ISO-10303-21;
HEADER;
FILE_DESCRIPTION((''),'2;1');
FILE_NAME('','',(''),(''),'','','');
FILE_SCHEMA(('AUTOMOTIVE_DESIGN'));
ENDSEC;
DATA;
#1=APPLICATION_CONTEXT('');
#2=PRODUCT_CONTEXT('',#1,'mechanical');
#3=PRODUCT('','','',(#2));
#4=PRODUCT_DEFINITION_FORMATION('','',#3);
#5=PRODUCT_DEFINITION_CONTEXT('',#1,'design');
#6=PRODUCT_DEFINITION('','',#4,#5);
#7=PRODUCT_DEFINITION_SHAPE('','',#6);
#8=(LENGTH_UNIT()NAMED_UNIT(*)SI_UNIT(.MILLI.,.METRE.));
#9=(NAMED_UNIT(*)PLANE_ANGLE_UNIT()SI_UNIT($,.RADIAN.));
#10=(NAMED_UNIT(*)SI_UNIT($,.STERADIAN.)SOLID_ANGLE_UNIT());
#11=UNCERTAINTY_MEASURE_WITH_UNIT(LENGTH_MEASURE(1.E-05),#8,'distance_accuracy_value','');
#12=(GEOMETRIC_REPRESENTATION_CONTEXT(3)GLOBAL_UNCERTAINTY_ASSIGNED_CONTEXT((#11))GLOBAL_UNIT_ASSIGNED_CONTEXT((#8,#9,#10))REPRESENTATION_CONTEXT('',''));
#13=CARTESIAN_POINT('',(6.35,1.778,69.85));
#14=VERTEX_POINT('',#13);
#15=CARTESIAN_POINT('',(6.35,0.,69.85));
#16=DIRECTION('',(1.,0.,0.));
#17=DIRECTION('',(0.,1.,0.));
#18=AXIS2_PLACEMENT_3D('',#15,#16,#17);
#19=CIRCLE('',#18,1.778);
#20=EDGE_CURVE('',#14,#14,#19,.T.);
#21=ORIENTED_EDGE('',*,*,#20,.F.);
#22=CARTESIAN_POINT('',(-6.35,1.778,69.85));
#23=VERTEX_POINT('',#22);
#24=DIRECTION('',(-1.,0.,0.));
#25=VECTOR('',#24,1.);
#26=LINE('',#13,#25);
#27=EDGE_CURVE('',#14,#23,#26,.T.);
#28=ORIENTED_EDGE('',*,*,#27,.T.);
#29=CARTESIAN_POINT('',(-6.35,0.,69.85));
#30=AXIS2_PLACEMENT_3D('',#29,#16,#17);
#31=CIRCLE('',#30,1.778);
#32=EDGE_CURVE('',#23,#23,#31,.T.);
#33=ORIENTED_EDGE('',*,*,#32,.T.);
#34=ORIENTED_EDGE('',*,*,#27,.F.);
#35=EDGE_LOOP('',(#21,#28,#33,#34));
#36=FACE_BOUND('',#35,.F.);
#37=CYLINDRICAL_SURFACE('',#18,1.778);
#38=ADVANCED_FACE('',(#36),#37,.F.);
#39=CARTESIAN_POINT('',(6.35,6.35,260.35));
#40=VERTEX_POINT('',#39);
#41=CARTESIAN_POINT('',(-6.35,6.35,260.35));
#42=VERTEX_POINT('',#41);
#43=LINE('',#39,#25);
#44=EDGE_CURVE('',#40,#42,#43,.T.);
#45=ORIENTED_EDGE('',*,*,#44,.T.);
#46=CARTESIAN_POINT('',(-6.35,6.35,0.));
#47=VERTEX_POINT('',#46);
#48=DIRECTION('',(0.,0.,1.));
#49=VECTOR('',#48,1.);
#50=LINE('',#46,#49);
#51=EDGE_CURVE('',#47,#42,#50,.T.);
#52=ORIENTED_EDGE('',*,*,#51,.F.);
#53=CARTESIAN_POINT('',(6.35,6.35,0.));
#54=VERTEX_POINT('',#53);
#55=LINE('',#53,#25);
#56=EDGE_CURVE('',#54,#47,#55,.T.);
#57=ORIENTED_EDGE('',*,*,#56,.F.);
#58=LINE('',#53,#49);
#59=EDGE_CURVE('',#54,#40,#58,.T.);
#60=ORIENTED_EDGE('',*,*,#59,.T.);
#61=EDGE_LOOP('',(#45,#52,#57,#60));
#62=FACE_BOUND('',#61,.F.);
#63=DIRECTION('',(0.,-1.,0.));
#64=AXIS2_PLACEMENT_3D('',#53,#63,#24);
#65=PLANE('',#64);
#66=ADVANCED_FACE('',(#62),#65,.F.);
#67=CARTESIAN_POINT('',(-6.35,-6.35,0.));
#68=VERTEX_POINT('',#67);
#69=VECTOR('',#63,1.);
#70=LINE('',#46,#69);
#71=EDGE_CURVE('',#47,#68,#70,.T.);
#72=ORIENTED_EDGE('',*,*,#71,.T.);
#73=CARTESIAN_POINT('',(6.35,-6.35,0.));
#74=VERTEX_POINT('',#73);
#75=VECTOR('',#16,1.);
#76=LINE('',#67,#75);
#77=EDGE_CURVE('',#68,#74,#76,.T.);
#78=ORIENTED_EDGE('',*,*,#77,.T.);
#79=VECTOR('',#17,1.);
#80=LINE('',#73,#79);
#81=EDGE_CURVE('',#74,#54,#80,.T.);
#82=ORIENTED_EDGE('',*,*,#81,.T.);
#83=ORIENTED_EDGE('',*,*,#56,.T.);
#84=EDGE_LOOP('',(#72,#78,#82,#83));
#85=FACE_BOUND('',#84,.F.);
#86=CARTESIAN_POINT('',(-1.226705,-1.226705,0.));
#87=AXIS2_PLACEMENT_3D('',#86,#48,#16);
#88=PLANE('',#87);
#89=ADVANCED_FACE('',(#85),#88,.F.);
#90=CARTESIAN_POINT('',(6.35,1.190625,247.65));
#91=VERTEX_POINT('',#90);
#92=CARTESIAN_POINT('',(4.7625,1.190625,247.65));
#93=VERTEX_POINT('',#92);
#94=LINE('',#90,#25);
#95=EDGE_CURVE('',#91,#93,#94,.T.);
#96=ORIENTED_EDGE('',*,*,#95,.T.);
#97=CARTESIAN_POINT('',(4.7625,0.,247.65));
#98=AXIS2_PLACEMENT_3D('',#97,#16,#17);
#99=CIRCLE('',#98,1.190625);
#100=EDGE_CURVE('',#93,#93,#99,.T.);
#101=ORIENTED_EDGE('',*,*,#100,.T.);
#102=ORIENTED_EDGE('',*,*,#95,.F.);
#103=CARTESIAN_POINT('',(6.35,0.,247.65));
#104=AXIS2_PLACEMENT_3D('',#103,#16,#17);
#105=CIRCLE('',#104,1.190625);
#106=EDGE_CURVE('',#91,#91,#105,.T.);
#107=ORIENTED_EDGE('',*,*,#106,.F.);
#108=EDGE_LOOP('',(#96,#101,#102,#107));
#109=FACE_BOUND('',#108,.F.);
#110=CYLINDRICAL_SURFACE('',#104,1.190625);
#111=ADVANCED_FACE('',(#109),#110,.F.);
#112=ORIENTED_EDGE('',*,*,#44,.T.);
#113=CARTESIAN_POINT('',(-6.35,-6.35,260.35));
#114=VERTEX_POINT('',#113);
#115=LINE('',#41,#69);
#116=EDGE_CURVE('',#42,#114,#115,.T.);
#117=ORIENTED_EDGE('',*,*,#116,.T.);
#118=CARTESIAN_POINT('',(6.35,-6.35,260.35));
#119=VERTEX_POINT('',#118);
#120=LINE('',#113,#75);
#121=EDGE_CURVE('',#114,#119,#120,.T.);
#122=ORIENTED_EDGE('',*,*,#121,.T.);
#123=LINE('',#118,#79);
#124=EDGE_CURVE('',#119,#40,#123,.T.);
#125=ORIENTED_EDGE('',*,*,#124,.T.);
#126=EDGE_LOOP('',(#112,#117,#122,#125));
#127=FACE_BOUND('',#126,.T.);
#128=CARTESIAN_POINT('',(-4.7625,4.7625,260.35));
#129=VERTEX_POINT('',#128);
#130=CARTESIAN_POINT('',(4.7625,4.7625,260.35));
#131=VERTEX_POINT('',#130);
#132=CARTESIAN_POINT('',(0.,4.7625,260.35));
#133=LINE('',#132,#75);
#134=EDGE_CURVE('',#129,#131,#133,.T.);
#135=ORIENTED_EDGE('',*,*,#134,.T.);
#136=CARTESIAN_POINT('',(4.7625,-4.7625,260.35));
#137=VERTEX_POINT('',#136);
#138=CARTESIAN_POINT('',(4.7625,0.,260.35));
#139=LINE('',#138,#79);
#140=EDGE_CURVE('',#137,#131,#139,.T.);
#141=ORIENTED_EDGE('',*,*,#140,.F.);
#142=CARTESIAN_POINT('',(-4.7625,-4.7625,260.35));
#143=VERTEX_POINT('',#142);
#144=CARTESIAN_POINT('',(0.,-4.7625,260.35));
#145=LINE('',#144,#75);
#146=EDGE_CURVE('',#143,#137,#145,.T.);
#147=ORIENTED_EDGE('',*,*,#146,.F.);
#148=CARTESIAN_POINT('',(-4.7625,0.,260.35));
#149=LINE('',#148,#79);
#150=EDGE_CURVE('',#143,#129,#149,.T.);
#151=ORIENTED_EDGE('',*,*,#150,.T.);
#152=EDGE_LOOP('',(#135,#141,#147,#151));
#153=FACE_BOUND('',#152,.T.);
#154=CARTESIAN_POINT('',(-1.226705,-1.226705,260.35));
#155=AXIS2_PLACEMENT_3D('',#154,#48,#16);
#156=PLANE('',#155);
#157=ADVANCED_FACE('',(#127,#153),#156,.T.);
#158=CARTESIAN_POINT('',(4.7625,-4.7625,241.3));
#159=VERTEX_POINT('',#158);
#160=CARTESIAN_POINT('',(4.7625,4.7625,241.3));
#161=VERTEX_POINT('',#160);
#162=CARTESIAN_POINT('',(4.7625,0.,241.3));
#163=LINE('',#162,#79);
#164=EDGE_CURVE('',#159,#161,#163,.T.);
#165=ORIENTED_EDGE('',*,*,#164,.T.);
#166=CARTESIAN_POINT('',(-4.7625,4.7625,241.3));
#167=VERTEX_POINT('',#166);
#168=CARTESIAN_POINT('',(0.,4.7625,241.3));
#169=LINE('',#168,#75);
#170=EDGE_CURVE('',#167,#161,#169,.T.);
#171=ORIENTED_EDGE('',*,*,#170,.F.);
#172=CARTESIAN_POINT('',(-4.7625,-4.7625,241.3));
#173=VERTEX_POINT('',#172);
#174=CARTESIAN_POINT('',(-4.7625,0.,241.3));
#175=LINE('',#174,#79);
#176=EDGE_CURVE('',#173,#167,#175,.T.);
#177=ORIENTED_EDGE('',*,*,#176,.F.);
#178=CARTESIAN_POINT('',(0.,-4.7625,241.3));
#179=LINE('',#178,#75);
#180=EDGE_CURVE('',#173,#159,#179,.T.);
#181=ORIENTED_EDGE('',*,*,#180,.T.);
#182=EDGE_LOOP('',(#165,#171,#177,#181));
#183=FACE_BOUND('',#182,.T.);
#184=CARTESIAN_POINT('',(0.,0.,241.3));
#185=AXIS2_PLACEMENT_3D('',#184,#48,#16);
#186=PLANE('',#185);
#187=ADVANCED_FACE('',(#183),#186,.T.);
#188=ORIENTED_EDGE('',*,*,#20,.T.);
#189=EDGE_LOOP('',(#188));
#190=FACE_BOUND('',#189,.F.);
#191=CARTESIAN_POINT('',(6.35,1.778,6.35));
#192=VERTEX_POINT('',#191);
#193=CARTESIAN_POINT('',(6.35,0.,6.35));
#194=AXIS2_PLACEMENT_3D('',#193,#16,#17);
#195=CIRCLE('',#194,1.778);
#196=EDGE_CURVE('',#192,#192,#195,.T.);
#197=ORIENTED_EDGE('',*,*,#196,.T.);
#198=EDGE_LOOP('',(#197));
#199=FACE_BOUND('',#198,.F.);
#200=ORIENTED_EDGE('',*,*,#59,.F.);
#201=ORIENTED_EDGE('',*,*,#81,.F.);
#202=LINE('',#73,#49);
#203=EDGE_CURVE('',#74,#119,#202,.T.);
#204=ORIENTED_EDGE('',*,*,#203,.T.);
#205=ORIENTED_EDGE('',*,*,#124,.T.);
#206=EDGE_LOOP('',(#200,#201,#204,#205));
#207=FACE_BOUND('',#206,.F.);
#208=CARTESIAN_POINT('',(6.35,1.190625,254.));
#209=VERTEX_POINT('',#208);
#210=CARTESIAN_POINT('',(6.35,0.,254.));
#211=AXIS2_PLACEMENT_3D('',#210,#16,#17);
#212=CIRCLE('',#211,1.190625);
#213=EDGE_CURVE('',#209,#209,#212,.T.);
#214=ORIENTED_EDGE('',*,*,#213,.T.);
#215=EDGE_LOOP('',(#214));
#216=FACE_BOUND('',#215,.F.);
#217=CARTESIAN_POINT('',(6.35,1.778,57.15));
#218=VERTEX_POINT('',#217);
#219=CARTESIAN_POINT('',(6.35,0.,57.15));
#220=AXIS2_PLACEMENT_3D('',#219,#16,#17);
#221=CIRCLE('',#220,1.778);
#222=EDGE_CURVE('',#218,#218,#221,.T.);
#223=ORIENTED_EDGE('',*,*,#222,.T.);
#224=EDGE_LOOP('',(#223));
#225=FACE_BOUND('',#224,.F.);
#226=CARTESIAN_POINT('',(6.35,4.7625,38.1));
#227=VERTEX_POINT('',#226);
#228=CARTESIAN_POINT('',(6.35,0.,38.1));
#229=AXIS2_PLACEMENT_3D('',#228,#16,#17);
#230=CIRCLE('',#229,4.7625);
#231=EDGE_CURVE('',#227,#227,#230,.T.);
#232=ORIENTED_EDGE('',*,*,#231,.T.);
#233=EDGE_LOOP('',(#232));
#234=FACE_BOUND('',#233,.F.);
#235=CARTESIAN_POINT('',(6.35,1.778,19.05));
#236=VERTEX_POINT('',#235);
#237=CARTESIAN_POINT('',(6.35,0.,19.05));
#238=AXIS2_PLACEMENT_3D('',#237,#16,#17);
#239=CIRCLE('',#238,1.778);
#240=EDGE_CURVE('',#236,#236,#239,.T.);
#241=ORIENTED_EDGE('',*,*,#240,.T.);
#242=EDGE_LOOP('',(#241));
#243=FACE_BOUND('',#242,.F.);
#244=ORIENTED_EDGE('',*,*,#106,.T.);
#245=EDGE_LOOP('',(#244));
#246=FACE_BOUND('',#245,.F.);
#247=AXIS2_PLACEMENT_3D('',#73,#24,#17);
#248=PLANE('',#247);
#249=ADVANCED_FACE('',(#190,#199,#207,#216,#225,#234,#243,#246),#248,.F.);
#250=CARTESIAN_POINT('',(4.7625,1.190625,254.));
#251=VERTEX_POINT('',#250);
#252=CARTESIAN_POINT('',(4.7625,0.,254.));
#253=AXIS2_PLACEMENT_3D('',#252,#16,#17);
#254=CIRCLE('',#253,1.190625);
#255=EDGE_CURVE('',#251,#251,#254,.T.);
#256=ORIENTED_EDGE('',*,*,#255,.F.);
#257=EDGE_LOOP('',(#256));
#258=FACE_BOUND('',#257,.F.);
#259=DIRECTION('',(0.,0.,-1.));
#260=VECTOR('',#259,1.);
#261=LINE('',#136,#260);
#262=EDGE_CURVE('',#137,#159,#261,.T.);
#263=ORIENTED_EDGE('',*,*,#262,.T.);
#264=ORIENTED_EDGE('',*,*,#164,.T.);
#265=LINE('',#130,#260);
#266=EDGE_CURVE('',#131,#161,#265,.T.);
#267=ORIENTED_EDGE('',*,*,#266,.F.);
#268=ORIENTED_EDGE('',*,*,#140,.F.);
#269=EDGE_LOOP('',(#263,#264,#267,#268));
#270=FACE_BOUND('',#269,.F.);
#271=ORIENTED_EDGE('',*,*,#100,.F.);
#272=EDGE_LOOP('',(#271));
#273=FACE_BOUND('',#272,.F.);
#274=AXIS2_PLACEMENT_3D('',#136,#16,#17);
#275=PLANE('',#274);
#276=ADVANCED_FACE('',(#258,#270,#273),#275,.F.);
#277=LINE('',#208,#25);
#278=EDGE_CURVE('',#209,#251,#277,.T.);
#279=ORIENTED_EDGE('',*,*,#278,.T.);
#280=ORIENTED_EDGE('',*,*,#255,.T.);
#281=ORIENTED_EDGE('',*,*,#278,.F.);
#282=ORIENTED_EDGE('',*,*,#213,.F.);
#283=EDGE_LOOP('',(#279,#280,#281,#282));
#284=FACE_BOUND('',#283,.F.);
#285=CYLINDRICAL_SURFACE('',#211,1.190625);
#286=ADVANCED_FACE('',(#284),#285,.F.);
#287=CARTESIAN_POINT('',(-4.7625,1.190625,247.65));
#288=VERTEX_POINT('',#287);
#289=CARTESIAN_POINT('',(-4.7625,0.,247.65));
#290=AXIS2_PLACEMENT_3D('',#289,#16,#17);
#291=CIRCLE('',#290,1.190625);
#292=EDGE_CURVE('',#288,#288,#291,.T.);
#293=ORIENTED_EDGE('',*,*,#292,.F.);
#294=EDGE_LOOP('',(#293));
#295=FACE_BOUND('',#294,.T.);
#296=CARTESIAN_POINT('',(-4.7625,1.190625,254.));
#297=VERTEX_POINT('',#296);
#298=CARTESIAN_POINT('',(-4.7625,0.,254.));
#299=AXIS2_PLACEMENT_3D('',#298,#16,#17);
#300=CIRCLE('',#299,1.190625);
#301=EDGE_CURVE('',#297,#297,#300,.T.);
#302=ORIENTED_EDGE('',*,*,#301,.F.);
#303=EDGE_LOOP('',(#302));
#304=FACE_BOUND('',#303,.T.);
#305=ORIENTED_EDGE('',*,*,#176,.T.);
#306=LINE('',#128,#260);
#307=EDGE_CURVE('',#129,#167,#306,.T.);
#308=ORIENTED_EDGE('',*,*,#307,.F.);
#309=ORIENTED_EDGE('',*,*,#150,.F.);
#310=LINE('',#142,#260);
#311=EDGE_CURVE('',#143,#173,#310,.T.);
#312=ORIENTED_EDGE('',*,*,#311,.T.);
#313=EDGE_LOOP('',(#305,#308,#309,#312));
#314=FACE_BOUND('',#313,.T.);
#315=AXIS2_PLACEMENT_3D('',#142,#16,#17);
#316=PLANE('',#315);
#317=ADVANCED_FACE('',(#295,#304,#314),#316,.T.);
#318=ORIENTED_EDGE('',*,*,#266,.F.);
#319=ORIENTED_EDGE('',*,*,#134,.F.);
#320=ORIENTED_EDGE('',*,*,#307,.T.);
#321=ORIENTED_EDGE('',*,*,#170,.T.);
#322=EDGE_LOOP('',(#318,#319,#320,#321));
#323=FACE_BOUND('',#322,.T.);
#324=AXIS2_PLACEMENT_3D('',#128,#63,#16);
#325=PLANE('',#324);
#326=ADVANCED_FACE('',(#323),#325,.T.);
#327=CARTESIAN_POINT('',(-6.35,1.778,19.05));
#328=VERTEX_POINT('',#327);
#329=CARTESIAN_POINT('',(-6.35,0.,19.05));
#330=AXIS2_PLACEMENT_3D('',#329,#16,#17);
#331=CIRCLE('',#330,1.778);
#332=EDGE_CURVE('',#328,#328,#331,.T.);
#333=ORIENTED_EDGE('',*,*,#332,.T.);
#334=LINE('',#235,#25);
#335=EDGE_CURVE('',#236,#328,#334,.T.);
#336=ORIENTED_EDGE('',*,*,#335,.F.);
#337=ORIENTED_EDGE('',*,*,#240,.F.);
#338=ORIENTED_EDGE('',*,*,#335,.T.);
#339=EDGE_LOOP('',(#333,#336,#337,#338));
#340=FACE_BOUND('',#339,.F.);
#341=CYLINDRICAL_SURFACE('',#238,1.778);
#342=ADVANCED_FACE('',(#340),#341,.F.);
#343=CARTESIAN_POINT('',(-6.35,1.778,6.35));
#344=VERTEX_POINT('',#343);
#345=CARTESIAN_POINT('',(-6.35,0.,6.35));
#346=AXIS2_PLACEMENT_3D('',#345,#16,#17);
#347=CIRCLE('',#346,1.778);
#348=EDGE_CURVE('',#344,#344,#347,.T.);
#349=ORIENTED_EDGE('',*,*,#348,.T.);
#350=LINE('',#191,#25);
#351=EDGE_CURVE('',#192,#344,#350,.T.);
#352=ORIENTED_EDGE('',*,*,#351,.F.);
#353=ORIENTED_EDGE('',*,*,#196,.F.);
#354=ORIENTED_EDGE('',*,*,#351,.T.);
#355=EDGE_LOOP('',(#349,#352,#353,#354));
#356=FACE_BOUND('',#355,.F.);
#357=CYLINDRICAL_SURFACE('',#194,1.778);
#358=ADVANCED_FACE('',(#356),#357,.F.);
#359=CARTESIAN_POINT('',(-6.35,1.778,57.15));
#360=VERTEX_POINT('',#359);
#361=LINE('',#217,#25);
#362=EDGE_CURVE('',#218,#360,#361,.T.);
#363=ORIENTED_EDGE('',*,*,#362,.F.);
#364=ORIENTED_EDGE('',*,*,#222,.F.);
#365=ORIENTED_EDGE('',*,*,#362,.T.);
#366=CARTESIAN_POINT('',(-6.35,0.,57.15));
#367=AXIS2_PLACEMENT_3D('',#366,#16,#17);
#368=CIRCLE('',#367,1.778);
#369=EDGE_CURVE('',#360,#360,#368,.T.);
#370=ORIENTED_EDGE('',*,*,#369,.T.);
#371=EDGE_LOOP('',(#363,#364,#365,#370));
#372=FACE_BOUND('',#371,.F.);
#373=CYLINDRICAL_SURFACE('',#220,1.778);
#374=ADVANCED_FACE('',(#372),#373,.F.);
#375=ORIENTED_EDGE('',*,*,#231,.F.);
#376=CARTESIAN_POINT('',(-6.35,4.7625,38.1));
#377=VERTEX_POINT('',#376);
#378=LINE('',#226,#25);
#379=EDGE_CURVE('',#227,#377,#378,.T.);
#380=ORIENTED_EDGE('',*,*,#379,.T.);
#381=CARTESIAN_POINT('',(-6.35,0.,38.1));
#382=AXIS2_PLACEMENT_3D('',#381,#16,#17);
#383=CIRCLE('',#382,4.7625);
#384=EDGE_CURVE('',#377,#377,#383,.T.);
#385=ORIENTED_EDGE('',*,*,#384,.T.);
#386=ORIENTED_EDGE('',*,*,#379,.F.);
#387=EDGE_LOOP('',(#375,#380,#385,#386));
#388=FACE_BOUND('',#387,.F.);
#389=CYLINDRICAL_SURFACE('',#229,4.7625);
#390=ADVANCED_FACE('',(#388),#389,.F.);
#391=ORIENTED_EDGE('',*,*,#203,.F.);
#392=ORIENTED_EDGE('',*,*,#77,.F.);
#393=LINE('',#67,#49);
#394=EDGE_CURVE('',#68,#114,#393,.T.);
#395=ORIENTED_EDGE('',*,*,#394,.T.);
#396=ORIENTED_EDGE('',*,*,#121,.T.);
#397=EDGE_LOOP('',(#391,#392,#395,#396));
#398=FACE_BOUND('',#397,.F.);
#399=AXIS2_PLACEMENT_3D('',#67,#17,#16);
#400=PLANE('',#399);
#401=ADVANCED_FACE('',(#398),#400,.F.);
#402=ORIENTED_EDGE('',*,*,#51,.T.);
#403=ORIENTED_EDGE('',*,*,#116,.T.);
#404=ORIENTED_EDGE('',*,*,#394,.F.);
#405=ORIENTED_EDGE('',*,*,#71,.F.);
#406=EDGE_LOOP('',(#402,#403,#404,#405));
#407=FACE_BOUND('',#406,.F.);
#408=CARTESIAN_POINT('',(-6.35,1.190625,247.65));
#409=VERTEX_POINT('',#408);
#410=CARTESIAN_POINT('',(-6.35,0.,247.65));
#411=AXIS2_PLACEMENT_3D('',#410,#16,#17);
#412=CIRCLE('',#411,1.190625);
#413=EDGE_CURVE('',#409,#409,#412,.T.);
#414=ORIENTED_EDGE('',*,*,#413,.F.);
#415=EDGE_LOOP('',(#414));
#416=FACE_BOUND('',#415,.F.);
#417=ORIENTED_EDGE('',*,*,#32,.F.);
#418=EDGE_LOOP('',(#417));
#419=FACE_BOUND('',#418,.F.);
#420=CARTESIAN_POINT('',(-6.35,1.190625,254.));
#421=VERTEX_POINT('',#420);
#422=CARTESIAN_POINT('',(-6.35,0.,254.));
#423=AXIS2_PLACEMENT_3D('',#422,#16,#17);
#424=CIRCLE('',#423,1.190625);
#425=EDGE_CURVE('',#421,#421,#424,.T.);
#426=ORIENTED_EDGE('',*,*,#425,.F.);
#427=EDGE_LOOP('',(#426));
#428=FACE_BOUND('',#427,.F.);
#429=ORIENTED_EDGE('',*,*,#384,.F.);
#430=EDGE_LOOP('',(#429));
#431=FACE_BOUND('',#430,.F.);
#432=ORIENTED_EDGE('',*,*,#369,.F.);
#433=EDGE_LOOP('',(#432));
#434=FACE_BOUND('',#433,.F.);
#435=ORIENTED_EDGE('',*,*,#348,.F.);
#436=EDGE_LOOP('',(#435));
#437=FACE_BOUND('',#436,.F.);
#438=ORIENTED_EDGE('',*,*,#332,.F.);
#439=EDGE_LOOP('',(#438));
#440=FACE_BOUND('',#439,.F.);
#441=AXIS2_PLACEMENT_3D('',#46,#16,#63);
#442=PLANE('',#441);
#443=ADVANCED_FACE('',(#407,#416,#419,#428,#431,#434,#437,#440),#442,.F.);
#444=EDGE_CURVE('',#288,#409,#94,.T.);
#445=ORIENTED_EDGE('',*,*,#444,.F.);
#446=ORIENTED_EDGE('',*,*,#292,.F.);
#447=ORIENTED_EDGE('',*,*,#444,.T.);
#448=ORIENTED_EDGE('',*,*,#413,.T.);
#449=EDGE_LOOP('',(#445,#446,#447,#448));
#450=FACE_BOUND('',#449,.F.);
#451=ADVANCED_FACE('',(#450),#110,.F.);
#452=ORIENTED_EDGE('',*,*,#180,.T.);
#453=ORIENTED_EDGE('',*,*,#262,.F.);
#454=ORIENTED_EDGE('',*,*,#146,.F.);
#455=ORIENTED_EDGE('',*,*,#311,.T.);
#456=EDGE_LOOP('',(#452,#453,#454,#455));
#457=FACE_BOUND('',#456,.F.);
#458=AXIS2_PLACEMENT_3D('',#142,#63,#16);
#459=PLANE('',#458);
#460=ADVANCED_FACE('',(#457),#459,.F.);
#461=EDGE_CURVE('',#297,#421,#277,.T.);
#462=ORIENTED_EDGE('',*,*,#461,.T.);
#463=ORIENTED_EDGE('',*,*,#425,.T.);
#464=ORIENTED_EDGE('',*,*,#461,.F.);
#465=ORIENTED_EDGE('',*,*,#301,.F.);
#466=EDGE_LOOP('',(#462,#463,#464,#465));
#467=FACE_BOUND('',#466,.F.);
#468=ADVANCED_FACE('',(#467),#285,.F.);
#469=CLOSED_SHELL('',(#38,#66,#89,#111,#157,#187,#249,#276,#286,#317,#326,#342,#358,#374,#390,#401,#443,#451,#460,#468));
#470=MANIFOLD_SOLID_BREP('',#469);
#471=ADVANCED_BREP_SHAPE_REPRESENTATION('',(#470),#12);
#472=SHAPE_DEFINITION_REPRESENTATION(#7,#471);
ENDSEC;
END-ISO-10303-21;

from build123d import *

# Parameters (mm, degrees)
F1_DEPTH = 260.35
F2_R     = 1.190625
F3_DEPTH = 12.701
F4_R     = 1.778
F5_DEPTH = 12.701
F6_W     = 9.525
F6_H     = 9.525
F7_DEPTH = 19.05


with BuildPart() as f1:
    # F0 (on Top) → F1 (new body)
    with BuildSketch(Plane.XY):
        Polygon((-4.7625, -4.7625), (-4.7625, 4.7625), (0, 4.7625), (0, 6.35), (-6.35, 6.35), (-6.35, -6.35), (6.35, -6.35), (6.35, 0), (4.7625, 0), (4.7625, -4.7625), align=None)
        Polygon((0, 6.35), (0, 4.7625), (4.7625, 4.7625), (4.7625, 0), (6.35, 0), (6.35, 6.35), align=None)
        Polygon((0, 4.7625), (-4.7625, 4.7625), (-4.7625, -4.7625), (4.7625, -4.7625), (4.7625, 0), (4.7625, 4.7625), align=None)
    extrude(amount=F1_DEPTH)

    # F2 (on face) → F3 (cut, through all)
    with BuildSketch(Plane.YZ.offset(6.35)):
        with Locations((0, 254)):
            Circle(F2_R)
        with Locations((0, 247.65)):
            Circle(F2_R)
    extrude(amount=-F3_DEPTH, mode=Mode.SUBTRACT)

    # F4 (on face) → F5 (cut, through all)
    with BuildSketch(Plane.YZ.offset(6.35)):
        with BuildLine():
            ThreePointArc((-4.7625, 38.1), (0, 33.3375), (4.7625, 38.1))
            Line((4.7625, 38.1), (-4.7625, 38.1))
        make_face()
        with BuildLine():
            Line((-4.7625, 38.1), (4.7625, 38.1))
            ThreePointArc((4.7625, 38.1), (0, 42.8625), (-4.7625, 38.1))
        make_face()
        with Locations((0, 57.15)):
            Circle(F4_R)
        with Locations((0, 69.85)):
            Circle(F4_R)
        with Locations((0, 19.05)):
            Circle(F4_R)
        with Locations((0, 6.35)):
            Circle(F4_R)
    extrude(amount=-F5_DEPTH, mode=Mode.SUBTRACT)

    # F6 (on face) → F7 (cut)
    with BuildSketch(Plane.XY.offset(260.35)):
        Rectangle(F6_W, F6_H)
    extrude(amount=-F7_DEPTH, mode=Mode.SUBTRACT)


solid = f1.part
